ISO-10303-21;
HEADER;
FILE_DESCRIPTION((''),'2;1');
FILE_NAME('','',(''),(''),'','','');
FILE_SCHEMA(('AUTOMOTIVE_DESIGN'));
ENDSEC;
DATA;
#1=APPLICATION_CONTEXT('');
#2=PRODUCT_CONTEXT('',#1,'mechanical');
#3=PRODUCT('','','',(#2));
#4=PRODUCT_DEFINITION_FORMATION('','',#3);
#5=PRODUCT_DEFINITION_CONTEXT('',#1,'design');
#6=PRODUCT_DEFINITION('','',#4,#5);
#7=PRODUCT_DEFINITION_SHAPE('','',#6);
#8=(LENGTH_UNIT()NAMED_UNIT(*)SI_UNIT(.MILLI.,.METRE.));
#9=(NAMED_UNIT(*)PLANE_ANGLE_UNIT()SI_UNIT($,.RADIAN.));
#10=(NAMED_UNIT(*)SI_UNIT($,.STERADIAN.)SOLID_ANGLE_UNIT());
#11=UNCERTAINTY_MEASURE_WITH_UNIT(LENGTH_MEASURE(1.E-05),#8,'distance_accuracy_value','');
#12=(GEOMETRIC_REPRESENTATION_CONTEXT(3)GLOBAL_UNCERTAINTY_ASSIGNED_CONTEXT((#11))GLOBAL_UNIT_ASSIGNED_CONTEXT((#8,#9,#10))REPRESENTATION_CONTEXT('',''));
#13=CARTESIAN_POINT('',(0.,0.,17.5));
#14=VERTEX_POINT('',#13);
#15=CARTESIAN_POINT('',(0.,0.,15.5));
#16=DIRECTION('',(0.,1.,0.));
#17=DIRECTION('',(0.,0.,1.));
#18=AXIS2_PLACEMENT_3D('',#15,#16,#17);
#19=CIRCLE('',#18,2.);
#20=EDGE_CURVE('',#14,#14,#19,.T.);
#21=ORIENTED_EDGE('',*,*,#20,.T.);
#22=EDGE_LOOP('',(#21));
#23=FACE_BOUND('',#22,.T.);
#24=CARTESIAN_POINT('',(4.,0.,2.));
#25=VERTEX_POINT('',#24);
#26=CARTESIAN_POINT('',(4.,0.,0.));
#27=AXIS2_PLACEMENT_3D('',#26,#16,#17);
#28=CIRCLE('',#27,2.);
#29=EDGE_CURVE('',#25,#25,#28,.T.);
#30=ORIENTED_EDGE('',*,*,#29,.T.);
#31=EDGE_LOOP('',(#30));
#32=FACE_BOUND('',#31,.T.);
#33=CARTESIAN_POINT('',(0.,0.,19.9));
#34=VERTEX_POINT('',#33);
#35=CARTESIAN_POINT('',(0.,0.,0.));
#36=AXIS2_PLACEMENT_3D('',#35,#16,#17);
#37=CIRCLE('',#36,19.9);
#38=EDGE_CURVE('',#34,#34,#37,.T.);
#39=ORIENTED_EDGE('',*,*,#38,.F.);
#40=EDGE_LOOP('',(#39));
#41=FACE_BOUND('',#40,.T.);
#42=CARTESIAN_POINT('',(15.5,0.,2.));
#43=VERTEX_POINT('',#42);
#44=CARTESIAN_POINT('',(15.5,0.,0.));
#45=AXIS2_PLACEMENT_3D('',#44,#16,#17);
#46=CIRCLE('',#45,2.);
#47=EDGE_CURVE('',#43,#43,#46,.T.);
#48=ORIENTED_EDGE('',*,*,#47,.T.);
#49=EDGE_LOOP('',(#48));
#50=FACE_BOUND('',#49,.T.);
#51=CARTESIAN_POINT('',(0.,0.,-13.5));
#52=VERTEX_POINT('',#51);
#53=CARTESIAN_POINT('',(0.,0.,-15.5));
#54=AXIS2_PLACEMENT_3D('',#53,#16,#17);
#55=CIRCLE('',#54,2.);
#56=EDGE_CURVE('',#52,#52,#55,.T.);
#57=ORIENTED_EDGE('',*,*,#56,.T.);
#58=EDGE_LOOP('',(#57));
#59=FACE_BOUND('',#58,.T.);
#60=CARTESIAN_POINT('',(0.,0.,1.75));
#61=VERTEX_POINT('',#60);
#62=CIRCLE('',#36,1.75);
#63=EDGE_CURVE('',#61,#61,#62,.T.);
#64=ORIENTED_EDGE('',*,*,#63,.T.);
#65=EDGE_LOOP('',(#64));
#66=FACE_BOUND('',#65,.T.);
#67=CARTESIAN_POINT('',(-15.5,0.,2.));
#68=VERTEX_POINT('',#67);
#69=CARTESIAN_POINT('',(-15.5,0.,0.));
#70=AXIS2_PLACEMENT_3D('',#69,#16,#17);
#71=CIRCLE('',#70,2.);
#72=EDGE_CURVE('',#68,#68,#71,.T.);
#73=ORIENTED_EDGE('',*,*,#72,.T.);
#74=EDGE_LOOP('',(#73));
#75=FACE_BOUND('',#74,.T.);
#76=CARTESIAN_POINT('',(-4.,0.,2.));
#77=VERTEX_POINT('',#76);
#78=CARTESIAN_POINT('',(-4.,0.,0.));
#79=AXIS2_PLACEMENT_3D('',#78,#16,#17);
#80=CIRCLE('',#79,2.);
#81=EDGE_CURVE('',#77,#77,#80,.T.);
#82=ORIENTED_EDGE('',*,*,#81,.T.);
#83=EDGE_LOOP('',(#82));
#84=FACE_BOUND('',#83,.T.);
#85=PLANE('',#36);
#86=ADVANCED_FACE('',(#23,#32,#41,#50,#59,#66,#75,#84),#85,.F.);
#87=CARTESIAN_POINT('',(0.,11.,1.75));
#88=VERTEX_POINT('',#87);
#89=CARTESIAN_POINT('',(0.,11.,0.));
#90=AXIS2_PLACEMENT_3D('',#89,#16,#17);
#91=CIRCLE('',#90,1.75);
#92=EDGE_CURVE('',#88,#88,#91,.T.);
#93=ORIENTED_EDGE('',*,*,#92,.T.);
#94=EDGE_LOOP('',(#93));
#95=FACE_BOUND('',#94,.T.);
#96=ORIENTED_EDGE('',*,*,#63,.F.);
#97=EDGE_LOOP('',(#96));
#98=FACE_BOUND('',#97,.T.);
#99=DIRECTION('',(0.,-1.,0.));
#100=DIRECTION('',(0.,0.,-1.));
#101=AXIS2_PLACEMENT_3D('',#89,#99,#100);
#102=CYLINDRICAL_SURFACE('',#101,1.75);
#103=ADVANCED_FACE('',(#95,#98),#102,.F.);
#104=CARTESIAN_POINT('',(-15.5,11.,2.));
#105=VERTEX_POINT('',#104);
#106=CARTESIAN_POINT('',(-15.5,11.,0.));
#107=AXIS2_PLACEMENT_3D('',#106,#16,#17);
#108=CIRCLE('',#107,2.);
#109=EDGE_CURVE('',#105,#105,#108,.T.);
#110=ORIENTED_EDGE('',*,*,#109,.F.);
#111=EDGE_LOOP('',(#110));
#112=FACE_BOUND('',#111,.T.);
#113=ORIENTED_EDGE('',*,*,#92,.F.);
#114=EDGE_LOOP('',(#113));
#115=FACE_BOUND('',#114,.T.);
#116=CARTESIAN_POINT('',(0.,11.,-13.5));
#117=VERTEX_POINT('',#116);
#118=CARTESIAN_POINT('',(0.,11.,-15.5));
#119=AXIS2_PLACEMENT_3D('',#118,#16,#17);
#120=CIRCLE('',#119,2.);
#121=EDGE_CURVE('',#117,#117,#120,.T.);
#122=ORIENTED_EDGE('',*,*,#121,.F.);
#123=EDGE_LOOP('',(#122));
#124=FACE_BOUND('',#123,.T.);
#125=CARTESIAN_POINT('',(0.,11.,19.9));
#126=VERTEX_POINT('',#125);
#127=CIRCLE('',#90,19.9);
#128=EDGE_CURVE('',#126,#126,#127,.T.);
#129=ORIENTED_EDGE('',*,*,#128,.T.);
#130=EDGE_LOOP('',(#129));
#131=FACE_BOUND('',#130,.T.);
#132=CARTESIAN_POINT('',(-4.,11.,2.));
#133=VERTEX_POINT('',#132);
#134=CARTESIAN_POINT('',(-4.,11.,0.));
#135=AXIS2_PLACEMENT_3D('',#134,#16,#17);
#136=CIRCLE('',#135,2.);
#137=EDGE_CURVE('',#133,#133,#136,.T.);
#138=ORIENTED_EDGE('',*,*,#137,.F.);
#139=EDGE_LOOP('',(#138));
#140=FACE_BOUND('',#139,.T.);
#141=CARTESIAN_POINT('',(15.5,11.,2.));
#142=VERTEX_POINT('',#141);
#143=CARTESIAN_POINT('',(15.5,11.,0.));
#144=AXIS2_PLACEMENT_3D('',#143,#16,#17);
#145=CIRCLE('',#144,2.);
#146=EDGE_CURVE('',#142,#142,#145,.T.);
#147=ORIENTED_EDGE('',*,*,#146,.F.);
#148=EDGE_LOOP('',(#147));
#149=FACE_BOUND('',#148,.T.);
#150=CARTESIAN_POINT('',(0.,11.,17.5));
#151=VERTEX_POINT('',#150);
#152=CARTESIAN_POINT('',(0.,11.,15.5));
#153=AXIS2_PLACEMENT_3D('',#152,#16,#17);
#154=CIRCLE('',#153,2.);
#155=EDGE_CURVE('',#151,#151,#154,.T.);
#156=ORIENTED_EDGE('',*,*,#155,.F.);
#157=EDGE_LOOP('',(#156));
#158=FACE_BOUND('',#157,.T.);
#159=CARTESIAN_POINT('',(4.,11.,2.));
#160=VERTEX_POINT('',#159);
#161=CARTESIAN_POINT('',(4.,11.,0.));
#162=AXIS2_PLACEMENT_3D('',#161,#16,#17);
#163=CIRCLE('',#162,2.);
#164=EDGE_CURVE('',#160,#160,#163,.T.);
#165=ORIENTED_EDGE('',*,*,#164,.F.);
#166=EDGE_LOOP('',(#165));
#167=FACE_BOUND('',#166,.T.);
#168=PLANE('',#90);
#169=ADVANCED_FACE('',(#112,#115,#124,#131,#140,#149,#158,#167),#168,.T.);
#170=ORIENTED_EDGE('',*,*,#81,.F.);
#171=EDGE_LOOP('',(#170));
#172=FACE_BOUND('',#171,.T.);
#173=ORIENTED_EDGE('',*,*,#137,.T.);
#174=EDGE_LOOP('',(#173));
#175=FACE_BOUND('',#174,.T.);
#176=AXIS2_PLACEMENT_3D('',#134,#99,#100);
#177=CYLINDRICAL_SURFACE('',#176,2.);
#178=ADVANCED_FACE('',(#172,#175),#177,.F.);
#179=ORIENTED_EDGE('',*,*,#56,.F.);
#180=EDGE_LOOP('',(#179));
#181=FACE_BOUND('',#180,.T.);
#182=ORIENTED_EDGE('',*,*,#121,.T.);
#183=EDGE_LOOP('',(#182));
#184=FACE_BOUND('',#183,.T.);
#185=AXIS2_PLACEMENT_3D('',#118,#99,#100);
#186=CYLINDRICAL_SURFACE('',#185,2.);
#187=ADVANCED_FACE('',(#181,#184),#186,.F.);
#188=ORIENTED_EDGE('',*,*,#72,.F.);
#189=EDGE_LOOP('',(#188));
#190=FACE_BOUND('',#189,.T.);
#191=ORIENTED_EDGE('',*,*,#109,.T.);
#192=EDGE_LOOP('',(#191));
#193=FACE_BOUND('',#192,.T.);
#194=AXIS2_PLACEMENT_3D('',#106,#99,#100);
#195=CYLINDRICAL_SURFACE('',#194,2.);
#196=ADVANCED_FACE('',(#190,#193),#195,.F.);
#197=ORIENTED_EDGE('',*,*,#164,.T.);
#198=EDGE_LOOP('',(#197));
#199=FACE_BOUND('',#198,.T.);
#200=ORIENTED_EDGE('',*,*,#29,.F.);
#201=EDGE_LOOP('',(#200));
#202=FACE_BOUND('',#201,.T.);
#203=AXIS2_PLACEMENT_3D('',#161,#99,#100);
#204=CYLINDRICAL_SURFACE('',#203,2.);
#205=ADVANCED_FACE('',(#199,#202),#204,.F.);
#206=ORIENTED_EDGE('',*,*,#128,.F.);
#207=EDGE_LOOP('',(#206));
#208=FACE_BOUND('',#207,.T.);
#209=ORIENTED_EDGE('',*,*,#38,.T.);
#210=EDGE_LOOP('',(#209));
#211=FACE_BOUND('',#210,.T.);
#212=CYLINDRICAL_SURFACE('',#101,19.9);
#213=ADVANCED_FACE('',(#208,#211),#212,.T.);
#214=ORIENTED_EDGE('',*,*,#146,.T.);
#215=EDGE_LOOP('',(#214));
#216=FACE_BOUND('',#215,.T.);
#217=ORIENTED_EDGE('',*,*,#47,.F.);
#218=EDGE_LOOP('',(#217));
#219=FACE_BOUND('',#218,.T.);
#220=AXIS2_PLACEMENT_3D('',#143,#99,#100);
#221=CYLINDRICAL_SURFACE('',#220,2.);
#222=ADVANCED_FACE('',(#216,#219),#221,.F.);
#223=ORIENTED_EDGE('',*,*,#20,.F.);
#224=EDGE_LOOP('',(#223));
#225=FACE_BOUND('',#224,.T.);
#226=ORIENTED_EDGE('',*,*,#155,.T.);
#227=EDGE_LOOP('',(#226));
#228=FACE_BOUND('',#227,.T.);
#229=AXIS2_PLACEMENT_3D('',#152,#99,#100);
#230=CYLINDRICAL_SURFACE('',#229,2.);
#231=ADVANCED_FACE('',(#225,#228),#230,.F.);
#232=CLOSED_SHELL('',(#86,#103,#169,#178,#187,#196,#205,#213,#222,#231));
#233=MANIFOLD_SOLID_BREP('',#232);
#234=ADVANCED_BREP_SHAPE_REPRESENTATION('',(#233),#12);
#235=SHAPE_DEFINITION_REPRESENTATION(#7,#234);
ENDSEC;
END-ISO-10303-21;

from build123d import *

# Parameters (mm, degrees)
SKETCH1_R           = 19.9
SKETCH1_R_2         = 2
SKETCH1_R_3         = 1.75
BOSS_EXTRUDE1_DEPTH = 11


with BuildPart() as part:
    # Sketch1 → Boss-Extrude1 (new body)
    with BuildSketch(Plane(origin=(0, 0, 0), x_dir=(1, 0, 0), z_dir=(0, 1, 0))):
        with Locations(Location((0, 0, 0), (0, 0, 270))):
            Circle(SKETCH1_R)
        with Locations(Location((0, 15.5, 0), (0, 0, 270))):
            Circle(SKETCH1_R_2, mode=Mode.SUBTRACT)
        with Locations(Location((15.5, 0, 0), (0, 0, 270))):
            Circle(SKETCH1_R_2, mode=Mode.SUBTRACT)
        with Locations(Location((0, -15.5, 0), (0, 0, 270))):
            Circle(SKETCH1_R_2, mode=Mode.SUBTRACT)
        with Locations(Location((-15.5, 0, 0), (0, 0, 270))):
            Circle(SKETCH1_R_2, mode=Mode.SUBTRACT)
        with Locations(Location((-4, 0, 0), (0, 0, 270))):
            Circle(SKETCH1_R_2, mode=Mode.SUBTRACT)
        with Locations(Location((4, 0, 0), (0, 0, 270))):
            Circle(SKETCH1_R_2, mode=Mode.SUBTRACT)
        with Locations(Location((0, 0, 0), (0, 0, 270))):
            Circle(SKETCH1_R_3, mode=Mode.SUBTRACT)
    extrude(amount=BOSS_EXTRUDE1_DEPTH)


solid = part.part
